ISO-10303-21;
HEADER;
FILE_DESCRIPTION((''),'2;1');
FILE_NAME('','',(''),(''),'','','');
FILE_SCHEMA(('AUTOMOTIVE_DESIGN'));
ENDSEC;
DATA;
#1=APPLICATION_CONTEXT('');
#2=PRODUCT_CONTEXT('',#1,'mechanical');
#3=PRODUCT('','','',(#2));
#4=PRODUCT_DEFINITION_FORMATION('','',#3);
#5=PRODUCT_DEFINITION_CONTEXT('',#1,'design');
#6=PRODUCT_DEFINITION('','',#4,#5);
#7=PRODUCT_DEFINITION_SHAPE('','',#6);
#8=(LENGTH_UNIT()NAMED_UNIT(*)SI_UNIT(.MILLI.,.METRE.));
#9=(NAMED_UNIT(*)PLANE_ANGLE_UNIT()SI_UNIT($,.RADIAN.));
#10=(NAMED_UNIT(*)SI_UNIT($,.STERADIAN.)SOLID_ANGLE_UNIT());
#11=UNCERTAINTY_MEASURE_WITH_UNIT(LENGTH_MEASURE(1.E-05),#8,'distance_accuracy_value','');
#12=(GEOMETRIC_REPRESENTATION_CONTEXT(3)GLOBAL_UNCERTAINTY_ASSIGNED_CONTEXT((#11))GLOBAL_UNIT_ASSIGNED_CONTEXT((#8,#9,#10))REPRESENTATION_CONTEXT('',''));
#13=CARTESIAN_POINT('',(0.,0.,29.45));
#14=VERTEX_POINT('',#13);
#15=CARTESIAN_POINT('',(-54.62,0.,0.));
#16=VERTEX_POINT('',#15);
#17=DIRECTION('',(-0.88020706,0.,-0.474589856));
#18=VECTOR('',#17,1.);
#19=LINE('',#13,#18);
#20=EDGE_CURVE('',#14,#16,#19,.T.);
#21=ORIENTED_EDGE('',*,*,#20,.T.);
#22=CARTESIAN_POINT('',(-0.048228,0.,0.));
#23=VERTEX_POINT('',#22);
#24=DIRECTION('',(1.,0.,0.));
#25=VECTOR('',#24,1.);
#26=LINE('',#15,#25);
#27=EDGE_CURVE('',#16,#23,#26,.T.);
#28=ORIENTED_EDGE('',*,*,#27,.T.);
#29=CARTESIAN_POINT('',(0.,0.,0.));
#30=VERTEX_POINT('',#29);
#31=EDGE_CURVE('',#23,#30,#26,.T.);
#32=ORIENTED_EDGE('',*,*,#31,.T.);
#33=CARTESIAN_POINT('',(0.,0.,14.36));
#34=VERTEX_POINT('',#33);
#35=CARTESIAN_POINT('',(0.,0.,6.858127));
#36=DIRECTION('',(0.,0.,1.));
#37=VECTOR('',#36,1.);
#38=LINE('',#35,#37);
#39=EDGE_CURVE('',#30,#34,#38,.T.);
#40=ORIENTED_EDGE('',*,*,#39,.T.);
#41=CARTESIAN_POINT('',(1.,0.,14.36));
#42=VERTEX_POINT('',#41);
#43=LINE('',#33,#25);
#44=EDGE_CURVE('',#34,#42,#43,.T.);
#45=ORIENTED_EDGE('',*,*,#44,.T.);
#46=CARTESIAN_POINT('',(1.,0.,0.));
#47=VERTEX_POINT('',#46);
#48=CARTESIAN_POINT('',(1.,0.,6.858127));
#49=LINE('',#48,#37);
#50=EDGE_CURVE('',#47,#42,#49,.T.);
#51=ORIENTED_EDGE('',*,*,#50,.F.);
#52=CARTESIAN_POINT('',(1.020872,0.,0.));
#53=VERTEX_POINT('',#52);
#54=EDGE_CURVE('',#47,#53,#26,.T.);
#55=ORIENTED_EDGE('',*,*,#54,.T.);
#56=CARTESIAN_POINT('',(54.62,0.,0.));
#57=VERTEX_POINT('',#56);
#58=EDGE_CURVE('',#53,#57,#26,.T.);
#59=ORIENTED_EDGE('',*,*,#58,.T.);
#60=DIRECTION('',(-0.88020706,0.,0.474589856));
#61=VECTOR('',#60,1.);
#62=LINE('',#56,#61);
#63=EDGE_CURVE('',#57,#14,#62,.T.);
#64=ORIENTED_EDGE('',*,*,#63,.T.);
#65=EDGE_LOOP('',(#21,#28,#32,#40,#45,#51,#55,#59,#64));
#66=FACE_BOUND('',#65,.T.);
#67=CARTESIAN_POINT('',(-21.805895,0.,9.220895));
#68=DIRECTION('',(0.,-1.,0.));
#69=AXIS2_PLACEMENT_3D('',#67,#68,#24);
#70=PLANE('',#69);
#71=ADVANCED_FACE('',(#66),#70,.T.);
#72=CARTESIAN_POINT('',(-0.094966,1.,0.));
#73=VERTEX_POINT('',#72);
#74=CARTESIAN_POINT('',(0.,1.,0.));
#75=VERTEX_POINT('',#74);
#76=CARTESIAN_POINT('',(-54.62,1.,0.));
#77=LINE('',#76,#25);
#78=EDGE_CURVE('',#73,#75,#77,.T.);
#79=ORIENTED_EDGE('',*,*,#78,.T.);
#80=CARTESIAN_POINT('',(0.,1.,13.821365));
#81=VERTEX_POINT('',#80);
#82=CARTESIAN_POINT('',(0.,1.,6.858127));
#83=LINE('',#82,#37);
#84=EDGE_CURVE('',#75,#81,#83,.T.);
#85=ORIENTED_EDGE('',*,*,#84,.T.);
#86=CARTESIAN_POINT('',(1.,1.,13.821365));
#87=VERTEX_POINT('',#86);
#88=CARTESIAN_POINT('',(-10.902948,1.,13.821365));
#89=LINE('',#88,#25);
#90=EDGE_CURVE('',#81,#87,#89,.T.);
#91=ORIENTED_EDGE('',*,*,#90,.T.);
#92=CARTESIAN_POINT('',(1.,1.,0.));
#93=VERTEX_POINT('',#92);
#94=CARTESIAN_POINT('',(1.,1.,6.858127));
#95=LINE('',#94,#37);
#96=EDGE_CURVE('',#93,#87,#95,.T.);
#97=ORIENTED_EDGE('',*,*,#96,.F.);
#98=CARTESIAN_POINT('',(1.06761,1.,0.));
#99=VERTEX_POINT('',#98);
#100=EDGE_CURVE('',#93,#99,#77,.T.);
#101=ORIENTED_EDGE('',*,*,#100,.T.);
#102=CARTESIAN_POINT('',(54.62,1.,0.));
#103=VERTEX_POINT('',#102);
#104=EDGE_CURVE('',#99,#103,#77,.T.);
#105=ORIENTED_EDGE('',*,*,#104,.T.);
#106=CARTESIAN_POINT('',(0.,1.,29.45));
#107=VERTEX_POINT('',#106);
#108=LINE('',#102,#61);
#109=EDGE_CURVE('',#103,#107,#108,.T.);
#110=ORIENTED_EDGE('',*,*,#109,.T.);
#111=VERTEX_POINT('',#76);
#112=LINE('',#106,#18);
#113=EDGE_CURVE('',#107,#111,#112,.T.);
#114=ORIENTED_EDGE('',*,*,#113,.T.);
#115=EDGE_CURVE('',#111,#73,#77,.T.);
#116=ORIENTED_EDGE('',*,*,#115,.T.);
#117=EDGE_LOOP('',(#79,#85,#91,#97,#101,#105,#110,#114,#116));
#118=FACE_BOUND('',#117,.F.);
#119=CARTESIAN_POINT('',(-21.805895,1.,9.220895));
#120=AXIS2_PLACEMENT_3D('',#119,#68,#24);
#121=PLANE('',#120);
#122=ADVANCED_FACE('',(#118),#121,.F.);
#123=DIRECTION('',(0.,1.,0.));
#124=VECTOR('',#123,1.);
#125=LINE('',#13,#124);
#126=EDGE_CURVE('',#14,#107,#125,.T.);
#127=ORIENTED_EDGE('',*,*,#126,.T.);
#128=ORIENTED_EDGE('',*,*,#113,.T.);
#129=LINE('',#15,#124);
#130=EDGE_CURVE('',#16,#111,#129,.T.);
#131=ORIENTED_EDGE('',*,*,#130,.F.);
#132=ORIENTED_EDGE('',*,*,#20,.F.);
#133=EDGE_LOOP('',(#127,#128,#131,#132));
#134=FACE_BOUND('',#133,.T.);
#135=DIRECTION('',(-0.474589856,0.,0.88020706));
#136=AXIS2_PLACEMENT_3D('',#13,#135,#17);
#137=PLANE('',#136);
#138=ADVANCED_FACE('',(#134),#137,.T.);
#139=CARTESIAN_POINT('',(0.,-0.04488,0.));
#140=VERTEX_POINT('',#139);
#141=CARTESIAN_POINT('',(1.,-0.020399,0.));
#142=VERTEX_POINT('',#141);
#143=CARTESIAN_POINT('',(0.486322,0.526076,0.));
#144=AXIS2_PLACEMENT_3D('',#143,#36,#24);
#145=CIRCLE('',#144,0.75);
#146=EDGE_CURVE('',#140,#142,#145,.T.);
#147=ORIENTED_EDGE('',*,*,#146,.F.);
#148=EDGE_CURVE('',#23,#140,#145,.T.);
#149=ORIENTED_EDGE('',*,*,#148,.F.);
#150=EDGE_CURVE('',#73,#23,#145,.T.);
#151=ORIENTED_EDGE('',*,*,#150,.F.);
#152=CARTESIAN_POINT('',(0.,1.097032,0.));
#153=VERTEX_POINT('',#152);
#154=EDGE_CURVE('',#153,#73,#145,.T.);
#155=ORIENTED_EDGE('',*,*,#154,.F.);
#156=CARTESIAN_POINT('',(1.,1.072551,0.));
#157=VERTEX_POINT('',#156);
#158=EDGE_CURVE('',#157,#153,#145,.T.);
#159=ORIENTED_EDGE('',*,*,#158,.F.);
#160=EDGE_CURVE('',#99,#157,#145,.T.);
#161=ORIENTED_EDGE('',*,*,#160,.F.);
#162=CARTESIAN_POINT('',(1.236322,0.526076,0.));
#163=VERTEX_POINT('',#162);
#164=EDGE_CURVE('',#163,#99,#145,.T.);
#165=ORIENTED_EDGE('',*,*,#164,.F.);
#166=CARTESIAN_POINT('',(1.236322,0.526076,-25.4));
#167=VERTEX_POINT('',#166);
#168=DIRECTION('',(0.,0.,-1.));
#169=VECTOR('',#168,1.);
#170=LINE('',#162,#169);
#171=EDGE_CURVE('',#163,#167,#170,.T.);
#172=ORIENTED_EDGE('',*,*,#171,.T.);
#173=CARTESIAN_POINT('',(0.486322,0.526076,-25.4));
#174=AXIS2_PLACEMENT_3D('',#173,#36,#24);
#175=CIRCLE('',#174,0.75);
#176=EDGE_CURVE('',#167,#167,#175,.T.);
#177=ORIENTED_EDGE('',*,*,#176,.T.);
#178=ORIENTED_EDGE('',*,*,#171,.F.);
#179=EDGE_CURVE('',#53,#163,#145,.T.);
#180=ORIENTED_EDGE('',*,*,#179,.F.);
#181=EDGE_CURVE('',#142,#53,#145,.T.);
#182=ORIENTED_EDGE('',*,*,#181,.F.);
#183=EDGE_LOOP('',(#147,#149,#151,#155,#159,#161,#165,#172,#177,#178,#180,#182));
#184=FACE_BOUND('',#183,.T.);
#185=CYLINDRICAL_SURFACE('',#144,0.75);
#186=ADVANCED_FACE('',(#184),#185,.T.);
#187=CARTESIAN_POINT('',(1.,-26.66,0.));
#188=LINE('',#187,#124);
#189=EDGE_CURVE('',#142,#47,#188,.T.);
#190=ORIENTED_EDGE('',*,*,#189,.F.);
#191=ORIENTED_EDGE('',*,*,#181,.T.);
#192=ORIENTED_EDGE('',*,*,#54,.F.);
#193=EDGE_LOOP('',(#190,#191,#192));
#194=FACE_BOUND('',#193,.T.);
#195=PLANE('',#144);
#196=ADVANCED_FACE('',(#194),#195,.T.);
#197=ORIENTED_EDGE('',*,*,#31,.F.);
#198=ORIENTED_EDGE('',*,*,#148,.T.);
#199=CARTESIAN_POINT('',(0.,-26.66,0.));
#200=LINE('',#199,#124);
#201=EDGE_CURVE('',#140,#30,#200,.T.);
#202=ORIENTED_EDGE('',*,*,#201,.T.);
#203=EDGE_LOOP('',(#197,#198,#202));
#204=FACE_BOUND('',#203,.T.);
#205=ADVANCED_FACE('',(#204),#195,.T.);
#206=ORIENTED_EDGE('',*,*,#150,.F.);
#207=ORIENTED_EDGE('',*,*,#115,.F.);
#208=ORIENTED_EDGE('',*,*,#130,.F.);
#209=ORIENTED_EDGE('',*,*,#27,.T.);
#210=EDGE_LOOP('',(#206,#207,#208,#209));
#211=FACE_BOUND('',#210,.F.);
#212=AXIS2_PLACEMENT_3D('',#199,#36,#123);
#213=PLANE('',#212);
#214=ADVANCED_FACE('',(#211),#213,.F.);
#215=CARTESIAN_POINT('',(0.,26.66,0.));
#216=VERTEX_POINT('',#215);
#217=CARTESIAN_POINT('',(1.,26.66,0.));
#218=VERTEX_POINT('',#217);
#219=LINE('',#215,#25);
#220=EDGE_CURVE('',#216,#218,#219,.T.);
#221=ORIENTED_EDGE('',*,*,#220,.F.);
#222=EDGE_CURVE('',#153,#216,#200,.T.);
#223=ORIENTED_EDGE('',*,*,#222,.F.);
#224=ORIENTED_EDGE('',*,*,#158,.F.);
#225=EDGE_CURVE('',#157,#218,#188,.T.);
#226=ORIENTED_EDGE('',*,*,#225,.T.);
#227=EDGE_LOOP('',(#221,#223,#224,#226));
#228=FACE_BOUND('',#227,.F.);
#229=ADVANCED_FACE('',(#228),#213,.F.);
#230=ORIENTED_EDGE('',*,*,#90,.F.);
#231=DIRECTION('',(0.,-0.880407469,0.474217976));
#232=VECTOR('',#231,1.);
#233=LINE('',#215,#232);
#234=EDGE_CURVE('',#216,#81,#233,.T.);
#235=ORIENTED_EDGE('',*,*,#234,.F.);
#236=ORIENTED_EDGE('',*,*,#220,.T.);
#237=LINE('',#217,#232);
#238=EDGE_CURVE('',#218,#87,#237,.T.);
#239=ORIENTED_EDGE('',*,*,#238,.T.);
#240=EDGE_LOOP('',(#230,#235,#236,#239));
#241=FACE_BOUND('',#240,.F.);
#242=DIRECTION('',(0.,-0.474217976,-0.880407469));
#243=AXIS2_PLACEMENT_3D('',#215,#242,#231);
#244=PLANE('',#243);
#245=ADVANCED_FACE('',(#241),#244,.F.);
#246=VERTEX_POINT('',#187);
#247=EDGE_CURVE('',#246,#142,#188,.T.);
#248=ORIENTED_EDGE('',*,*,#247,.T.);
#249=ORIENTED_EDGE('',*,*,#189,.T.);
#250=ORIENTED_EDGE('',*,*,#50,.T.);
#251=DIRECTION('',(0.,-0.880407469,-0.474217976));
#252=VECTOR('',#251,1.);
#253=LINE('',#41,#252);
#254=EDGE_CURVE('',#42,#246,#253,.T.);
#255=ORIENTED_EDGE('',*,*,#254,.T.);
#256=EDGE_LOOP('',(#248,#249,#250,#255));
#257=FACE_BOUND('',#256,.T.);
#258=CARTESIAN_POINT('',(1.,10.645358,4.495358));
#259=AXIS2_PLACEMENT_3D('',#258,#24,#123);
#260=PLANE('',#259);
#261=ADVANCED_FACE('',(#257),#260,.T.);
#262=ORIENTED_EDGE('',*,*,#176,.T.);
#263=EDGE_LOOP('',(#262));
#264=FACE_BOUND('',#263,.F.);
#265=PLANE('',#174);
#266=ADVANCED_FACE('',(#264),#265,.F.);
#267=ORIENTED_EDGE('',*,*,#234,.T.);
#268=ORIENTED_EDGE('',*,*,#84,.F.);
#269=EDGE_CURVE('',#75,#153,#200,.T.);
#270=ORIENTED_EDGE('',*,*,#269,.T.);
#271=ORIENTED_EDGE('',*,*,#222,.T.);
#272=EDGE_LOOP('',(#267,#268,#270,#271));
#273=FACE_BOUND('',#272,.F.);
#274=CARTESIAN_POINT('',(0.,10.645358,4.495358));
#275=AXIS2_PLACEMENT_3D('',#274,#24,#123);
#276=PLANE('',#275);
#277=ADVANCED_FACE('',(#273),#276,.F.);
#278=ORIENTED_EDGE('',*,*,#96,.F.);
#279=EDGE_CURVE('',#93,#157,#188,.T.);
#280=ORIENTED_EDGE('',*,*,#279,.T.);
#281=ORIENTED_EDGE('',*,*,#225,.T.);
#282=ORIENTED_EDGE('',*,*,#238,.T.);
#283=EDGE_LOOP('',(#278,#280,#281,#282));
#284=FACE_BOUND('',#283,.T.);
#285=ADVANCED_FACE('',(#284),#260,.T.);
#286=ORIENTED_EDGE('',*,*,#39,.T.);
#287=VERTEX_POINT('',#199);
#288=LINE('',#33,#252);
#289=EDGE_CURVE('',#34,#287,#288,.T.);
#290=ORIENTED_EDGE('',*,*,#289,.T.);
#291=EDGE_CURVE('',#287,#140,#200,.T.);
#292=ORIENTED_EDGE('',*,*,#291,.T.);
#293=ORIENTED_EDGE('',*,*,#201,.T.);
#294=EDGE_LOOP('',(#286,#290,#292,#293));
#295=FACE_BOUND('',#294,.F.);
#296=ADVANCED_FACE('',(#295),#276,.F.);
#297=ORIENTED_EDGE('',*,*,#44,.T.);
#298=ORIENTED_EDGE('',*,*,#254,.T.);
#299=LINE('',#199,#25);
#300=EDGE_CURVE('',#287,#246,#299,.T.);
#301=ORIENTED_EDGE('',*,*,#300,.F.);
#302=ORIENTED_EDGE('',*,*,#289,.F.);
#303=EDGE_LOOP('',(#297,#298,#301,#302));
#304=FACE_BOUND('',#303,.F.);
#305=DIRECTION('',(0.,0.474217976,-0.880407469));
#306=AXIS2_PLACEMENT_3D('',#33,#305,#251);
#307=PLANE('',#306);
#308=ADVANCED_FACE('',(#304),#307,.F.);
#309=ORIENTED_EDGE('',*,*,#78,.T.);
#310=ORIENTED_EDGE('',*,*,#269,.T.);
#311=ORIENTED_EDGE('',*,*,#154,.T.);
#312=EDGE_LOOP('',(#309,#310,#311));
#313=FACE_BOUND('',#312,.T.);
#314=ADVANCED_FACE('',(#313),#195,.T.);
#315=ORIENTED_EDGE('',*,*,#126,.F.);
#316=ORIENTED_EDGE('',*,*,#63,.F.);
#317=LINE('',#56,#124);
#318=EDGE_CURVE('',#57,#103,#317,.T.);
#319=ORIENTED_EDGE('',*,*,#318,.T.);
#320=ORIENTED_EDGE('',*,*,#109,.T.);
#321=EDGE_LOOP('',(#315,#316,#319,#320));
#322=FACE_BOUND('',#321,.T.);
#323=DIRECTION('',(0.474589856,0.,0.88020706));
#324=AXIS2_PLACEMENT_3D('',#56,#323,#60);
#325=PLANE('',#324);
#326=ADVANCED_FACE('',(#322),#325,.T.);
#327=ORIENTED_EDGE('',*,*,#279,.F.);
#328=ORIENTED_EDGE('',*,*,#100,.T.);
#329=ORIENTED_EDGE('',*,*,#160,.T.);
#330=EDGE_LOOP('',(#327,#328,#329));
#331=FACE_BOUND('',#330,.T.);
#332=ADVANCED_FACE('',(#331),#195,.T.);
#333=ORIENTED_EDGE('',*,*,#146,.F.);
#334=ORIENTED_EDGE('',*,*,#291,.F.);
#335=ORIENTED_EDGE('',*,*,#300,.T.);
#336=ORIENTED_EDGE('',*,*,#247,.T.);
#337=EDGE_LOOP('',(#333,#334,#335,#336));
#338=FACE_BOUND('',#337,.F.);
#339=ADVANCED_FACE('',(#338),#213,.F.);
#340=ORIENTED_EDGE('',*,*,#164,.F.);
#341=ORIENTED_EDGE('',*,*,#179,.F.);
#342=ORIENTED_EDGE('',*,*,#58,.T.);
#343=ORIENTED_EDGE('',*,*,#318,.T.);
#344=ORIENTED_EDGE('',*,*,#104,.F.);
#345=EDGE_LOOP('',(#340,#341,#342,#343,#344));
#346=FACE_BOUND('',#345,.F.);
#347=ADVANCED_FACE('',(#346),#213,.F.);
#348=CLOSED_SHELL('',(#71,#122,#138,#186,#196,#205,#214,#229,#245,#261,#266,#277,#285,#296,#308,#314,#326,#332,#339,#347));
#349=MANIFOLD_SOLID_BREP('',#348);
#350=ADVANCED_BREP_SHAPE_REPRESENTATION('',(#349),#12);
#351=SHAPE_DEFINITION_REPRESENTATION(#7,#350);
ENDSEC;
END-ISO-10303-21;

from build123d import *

# Parameters (mm, degrees)
F2_DEPTH = 1
F3_DEPTH = 1
F4_R     = 0.75
F5_DEPTH = 25.4


with BuildPart() as f2:
    # F0 (on Front) → F2 (new body)
    with BuildSketch(Plane.XZ):
        Polygon((-54.62, 0), (0, 0), (0, 29.45), align=None)
        Polygon((0, 29.45), (0, 0), (54.62, 0), align=None)
    extrude(amount=-F2_DEPTH)

    # F1 (on Right) → F3 (join)
    with BuildSketch(Plane.YZ):
        Polygon((0, 14.36), (0, 0), (26.66, 0), align=None)
        Polygon((-26.66, 0), (0, 0), (0, 14.36), align=None)
    extrude(amount=F3_DEPTH)

    # F4 (on Top) → F5 (join)
    with BuildSketch(Plane.XY):
        with Locations((0.486322, 0.526076)):
            Circle(F4_R)
    extrude(amount=-F5_DEPTH)


solid = f2.part
